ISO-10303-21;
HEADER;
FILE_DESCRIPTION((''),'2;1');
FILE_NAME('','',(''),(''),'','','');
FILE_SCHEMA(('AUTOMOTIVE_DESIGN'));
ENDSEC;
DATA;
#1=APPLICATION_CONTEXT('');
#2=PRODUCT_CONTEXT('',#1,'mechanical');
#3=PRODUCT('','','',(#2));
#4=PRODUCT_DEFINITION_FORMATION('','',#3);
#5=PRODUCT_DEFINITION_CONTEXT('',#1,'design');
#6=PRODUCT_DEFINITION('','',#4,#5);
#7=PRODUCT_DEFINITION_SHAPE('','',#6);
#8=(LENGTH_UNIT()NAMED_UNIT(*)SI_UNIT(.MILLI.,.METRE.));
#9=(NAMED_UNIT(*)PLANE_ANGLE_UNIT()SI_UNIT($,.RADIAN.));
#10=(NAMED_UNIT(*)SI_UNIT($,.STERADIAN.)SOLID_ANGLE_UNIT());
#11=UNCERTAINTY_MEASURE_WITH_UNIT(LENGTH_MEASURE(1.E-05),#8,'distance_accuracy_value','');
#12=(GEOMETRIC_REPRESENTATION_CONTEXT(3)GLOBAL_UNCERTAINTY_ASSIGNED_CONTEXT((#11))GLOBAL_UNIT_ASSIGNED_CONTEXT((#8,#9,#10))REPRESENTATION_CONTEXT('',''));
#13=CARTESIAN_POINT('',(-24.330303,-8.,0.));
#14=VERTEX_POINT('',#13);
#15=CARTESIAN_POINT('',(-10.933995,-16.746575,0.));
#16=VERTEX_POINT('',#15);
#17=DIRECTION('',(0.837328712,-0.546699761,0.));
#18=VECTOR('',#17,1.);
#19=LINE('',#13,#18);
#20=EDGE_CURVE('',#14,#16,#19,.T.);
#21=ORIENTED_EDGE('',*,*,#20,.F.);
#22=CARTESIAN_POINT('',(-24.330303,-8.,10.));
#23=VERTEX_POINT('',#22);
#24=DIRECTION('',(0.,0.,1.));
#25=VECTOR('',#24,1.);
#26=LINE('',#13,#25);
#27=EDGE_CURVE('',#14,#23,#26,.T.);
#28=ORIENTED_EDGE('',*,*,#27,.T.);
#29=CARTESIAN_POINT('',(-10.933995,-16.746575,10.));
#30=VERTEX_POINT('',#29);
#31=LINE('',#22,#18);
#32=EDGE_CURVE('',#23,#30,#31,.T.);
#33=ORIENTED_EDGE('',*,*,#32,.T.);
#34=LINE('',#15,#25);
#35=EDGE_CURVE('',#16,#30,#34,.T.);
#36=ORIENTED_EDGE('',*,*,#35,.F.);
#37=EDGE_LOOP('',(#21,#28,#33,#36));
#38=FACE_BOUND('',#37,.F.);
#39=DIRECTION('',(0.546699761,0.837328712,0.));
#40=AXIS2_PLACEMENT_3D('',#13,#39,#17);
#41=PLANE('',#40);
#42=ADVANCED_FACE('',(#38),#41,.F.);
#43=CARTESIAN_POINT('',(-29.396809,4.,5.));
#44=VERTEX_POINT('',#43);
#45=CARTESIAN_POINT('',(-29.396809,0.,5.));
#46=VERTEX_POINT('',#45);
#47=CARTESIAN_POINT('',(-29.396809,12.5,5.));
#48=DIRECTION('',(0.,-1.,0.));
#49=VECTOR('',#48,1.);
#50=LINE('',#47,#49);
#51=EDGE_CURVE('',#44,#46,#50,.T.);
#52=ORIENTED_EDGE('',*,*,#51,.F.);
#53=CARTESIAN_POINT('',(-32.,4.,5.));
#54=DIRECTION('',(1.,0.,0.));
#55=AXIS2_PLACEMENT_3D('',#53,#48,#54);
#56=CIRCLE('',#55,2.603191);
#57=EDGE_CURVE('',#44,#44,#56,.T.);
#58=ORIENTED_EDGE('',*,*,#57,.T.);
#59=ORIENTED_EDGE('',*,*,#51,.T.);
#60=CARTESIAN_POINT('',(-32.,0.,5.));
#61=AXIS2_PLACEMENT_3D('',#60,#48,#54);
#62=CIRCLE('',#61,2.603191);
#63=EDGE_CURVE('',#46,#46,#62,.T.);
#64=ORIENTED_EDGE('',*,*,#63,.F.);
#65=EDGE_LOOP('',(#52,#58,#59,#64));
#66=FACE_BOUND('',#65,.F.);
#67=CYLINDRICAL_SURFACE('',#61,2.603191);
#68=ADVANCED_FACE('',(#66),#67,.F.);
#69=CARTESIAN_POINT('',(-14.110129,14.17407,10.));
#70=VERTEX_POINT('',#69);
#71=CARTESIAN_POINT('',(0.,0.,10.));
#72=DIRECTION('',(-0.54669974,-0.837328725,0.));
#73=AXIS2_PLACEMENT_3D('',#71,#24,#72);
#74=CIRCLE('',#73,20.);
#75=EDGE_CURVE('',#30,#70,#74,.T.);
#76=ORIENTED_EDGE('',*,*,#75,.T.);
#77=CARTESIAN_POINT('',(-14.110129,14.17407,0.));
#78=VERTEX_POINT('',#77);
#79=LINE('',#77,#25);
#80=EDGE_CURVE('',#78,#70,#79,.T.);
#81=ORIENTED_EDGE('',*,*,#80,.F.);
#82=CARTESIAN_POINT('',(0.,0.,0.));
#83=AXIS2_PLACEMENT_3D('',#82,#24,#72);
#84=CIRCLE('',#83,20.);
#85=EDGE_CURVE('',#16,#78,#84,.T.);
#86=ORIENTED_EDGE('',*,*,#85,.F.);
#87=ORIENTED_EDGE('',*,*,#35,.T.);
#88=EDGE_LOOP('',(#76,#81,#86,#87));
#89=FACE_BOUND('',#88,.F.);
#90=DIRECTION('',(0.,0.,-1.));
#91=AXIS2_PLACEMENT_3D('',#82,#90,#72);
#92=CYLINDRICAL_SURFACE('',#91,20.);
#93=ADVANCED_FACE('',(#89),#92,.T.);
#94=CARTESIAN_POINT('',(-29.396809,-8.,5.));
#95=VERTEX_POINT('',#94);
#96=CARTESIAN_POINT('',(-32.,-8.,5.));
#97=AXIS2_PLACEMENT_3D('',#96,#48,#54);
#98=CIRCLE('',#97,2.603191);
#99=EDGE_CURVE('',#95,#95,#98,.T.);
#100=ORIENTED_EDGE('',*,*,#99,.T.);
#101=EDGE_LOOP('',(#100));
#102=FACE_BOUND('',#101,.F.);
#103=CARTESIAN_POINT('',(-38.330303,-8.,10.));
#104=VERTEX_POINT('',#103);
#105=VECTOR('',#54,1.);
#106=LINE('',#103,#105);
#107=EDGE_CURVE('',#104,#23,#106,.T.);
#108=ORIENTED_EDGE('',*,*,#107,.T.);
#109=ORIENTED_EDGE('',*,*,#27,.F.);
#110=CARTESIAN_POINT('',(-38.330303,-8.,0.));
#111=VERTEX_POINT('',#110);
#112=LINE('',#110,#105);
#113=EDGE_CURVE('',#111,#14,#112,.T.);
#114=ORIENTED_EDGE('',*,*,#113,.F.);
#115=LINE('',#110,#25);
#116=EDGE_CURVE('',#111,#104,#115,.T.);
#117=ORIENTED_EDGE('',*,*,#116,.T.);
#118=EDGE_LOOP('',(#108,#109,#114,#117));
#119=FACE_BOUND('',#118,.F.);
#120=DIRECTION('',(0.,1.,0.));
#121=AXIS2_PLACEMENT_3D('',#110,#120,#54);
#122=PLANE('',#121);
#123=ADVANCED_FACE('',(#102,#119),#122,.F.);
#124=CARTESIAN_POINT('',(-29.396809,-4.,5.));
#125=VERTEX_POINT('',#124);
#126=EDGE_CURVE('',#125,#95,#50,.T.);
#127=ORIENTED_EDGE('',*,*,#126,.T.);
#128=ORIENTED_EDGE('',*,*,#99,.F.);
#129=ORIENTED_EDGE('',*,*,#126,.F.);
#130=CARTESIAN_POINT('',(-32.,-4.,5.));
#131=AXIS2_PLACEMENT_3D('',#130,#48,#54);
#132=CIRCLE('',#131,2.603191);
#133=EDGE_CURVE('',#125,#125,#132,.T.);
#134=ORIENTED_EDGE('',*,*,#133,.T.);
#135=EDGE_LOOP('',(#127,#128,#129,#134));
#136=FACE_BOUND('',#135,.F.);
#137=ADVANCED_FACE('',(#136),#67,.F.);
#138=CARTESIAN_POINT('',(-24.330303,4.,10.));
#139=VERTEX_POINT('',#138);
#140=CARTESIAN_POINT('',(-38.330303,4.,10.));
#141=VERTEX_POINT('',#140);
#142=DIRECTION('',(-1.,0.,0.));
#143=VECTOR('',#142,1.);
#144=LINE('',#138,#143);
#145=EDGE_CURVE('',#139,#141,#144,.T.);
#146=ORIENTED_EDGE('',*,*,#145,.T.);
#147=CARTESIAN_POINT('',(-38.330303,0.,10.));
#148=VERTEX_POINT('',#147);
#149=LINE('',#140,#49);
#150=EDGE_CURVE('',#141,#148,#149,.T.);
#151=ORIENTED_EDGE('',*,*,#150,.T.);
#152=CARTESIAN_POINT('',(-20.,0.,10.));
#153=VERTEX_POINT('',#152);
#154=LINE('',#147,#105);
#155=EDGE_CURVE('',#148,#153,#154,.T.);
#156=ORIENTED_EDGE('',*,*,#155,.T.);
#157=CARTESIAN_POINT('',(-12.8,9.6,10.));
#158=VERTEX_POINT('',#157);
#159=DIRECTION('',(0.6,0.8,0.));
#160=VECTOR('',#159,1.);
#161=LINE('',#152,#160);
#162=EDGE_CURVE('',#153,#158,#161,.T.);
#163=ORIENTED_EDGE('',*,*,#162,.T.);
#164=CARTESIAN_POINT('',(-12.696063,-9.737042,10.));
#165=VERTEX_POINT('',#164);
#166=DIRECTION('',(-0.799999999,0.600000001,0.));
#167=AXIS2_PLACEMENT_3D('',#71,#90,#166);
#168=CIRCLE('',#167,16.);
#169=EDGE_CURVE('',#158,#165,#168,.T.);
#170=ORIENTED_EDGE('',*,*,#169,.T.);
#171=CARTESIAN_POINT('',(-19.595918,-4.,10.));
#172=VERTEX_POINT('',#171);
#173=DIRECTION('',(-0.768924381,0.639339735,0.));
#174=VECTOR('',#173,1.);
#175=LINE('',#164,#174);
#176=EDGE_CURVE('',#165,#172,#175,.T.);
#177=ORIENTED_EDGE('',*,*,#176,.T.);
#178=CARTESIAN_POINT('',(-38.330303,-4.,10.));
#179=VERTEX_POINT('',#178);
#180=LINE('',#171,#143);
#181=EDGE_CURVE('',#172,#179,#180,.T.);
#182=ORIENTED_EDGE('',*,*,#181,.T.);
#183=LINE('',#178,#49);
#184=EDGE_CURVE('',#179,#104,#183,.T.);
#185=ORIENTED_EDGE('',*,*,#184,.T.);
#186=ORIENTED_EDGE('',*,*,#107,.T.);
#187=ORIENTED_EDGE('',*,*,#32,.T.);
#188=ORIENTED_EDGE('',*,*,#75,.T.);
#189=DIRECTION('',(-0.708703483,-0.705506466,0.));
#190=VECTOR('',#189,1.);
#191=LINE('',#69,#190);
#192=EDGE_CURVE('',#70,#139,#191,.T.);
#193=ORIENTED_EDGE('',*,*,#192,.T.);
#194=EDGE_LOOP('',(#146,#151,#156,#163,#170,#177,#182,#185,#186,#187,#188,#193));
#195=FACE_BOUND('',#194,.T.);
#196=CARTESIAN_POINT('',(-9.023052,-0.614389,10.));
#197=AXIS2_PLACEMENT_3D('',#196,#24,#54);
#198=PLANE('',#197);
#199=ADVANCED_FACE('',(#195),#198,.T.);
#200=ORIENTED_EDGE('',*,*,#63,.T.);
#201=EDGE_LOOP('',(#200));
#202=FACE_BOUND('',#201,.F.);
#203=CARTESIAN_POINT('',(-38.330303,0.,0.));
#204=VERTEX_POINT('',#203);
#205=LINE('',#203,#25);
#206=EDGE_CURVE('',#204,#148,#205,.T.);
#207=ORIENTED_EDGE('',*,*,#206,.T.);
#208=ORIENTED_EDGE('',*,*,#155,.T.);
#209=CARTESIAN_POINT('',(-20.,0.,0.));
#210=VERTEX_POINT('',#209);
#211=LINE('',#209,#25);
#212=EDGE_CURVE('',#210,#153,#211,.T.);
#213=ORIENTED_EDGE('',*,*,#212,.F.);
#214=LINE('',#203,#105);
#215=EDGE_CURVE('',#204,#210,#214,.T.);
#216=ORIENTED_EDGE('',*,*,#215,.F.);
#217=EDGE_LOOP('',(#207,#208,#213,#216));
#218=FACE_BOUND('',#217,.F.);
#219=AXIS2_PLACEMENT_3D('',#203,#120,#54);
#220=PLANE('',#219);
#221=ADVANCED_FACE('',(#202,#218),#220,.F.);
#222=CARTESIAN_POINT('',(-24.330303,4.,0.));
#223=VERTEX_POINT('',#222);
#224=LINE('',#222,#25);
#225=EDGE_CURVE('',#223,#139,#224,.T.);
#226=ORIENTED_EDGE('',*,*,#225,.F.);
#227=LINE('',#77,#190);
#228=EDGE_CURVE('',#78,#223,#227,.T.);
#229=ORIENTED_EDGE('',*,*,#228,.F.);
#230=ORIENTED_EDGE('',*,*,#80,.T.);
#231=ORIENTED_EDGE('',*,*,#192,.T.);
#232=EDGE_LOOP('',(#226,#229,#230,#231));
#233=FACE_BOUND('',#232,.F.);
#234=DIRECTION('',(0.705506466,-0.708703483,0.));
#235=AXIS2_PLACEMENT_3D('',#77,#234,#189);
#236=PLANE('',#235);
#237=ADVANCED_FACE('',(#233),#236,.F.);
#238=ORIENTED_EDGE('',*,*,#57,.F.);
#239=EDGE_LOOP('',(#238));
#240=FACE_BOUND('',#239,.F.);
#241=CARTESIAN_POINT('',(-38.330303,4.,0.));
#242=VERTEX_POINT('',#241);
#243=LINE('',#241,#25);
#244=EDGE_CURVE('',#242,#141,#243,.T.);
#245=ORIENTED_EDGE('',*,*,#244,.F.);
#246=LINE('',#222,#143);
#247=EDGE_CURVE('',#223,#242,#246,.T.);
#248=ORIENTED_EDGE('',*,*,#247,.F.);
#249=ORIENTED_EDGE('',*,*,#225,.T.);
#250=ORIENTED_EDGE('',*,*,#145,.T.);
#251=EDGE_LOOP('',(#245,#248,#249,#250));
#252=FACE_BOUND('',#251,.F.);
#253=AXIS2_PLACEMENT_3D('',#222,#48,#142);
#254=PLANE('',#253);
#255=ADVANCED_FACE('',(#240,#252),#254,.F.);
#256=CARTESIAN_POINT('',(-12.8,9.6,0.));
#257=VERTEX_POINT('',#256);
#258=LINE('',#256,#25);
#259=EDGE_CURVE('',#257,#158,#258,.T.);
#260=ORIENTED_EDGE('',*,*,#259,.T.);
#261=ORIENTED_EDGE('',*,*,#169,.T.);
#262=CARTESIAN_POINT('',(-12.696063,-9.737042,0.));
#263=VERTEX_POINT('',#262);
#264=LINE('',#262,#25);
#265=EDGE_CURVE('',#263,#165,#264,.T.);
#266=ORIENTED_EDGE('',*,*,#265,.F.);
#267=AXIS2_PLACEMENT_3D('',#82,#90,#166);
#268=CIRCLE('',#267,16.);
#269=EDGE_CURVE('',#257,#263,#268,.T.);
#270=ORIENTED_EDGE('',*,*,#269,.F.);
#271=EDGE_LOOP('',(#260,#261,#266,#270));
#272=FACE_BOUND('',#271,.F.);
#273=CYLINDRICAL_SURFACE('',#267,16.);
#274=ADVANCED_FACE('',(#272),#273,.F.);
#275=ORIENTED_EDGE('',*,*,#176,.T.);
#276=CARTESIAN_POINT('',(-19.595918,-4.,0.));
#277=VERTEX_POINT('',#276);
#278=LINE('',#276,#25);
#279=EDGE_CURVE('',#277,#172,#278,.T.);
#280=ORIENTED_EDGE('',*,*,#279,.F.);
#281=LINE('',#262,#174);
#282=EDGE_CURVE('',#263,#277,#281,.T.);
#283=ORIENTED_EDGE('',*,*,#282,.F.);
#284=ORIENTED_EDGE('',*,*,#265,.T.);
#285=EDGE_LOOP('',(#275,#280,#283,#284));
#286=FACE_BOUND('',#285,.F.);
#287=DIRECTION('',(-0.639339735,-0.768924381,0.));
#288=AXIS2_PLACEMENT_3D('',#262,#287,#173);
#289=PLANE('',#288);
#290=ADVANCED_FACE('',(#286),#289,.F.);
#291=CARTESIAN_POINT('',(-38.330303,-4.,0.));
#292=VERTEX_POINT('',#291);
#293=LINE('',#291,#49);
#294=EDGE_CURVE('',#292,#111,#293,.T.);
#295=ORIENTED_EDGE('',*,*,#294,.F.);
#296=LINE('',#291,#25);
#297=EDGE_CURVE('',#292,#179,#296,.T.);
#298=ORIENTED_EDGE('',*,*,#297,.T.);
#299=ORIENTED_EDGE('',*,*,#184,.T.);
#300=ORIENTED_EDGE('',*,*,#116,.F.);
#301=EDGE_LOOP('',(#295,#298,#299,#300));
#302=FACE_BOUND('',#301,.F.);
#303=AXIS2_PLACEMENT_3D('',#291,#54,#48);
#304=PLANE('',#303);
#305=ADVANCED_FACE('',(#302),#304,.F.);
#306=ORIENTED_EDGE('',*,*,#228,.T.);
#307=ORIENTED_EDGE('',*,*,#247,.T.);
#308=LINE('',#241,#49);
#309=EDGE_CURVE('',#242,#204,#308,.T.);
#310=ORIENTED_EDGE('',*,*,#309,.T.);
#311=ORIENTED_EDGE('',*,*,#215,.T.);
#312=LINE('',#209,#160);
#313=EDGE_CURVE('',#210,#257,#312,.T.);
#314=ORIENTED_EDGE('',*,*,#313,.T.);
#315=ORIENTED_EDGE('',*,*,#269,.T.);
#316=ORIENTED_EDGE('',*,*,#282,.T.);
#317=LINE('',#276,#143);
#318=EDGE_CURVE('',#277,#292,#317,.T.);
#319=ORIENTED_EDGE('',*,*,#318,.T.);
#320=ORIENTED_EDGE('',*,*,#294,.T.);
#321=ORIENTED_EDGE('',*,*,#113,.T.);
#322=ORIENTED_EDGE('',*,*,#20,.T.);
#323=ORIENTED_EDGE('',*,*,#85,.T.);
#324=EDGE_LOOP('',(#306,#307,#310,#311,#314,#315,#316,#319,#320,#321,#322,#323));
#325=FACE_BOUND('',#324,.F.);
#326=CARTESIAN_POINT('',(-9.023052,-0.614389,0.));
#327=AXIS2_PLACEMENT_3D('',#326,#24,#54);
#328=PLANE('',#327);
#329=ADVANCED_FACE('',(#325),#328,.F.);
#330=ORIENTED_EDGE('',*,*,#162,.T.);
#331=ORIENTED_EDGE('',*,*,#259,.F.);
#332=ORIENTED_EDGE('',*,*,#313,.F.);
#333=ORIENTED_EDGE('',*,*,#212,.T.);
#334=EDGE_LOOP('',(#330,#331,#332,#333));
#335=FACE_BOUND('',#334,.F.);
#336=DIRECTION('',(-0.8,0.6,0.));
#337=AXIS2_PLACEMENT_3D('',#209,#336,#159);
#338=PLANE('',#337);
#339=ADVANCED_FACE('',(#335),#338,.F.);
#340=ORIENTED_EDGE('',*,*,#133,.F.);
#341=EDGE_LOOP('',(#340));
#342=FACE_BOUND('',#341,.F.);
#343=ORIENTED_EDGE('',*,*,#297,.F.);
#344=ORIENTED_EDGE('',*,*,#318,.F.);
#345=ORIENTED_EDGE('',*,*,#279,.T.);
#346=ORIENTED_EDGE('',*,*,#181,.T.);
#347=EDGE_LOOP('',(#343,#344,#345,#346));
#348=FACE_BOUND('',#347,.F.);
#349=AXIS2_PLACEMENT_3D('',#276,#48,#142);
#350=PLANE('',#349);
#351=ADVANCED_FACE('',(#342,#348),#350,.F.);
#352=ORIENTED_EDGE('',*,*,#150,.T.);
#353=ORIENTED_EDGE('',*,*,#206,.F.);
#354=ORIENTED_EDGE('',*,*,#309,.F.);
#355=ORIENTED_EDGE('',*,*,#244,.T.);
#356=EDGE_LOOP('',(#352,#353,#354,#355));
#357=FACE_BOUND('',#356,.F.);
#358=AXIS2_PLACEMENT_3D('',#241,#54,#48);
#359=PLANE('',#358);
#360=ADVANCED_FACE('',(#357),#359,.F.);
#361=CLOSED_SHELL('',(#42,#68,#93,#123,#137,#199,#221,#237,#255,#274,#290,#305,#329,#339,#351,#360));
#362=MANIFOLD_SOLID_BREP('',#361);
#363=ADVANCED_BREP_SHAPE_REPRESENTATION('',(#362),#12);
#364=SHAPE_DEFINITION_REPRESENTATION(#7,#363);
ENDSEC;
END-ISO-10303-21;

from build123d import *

# Parameters (mm, degrees)
F1_DEPTH = 10
F2_R     = 2.603191
F3_DEPTH = 12.5


with BuildPart() as f1:
    # F0 (on Top) → F1 (new body)
    with BuildSketch(Plane.XY):
        with BuildLine():
            ThreePointArc((-12.8, 9.6), (15.999769, 0.085999), (-12.696063, -9.737042))
            Line((-12.696063, -9.737042), (-19.595918, -4))
            Line((-19.595918, -4), (-38.330303, -4))
            Line((-38.330303, -4), (-38.330303, -8))
            Line((-38.330303, -8), (-24.330303, -8))
            Line((-24.330303, -8), (-10.933995, -16.746575))
            ThreePointArc((-10.933995, -16.746575), (19.895316, 2.043625), (-14.110129, 14.17407))
            Line((-14.110129, 14.17407), (-24.330303, 4))
            Line((-24.330303, 4), (-38.330303, 4))
            Line((-38.330303, 4), (-38.330303, 0))
            Line((-38.330303, 0), (-20, 0))
            Line((-20, 0), (-12.8, 9.6))
        make_face()
    extrude(amount=F1_DEPTH)

    # F2 (on Front) → F3 (cut, symmetric)
    with BuildSketch(Plane.XZ):
        with Locations((-32, 5)):
            Circle(F2_R)
    extrude(amount=F3_DEPTH, both=True, mode=Mode.SUBTRACT)


solid = f1.part
